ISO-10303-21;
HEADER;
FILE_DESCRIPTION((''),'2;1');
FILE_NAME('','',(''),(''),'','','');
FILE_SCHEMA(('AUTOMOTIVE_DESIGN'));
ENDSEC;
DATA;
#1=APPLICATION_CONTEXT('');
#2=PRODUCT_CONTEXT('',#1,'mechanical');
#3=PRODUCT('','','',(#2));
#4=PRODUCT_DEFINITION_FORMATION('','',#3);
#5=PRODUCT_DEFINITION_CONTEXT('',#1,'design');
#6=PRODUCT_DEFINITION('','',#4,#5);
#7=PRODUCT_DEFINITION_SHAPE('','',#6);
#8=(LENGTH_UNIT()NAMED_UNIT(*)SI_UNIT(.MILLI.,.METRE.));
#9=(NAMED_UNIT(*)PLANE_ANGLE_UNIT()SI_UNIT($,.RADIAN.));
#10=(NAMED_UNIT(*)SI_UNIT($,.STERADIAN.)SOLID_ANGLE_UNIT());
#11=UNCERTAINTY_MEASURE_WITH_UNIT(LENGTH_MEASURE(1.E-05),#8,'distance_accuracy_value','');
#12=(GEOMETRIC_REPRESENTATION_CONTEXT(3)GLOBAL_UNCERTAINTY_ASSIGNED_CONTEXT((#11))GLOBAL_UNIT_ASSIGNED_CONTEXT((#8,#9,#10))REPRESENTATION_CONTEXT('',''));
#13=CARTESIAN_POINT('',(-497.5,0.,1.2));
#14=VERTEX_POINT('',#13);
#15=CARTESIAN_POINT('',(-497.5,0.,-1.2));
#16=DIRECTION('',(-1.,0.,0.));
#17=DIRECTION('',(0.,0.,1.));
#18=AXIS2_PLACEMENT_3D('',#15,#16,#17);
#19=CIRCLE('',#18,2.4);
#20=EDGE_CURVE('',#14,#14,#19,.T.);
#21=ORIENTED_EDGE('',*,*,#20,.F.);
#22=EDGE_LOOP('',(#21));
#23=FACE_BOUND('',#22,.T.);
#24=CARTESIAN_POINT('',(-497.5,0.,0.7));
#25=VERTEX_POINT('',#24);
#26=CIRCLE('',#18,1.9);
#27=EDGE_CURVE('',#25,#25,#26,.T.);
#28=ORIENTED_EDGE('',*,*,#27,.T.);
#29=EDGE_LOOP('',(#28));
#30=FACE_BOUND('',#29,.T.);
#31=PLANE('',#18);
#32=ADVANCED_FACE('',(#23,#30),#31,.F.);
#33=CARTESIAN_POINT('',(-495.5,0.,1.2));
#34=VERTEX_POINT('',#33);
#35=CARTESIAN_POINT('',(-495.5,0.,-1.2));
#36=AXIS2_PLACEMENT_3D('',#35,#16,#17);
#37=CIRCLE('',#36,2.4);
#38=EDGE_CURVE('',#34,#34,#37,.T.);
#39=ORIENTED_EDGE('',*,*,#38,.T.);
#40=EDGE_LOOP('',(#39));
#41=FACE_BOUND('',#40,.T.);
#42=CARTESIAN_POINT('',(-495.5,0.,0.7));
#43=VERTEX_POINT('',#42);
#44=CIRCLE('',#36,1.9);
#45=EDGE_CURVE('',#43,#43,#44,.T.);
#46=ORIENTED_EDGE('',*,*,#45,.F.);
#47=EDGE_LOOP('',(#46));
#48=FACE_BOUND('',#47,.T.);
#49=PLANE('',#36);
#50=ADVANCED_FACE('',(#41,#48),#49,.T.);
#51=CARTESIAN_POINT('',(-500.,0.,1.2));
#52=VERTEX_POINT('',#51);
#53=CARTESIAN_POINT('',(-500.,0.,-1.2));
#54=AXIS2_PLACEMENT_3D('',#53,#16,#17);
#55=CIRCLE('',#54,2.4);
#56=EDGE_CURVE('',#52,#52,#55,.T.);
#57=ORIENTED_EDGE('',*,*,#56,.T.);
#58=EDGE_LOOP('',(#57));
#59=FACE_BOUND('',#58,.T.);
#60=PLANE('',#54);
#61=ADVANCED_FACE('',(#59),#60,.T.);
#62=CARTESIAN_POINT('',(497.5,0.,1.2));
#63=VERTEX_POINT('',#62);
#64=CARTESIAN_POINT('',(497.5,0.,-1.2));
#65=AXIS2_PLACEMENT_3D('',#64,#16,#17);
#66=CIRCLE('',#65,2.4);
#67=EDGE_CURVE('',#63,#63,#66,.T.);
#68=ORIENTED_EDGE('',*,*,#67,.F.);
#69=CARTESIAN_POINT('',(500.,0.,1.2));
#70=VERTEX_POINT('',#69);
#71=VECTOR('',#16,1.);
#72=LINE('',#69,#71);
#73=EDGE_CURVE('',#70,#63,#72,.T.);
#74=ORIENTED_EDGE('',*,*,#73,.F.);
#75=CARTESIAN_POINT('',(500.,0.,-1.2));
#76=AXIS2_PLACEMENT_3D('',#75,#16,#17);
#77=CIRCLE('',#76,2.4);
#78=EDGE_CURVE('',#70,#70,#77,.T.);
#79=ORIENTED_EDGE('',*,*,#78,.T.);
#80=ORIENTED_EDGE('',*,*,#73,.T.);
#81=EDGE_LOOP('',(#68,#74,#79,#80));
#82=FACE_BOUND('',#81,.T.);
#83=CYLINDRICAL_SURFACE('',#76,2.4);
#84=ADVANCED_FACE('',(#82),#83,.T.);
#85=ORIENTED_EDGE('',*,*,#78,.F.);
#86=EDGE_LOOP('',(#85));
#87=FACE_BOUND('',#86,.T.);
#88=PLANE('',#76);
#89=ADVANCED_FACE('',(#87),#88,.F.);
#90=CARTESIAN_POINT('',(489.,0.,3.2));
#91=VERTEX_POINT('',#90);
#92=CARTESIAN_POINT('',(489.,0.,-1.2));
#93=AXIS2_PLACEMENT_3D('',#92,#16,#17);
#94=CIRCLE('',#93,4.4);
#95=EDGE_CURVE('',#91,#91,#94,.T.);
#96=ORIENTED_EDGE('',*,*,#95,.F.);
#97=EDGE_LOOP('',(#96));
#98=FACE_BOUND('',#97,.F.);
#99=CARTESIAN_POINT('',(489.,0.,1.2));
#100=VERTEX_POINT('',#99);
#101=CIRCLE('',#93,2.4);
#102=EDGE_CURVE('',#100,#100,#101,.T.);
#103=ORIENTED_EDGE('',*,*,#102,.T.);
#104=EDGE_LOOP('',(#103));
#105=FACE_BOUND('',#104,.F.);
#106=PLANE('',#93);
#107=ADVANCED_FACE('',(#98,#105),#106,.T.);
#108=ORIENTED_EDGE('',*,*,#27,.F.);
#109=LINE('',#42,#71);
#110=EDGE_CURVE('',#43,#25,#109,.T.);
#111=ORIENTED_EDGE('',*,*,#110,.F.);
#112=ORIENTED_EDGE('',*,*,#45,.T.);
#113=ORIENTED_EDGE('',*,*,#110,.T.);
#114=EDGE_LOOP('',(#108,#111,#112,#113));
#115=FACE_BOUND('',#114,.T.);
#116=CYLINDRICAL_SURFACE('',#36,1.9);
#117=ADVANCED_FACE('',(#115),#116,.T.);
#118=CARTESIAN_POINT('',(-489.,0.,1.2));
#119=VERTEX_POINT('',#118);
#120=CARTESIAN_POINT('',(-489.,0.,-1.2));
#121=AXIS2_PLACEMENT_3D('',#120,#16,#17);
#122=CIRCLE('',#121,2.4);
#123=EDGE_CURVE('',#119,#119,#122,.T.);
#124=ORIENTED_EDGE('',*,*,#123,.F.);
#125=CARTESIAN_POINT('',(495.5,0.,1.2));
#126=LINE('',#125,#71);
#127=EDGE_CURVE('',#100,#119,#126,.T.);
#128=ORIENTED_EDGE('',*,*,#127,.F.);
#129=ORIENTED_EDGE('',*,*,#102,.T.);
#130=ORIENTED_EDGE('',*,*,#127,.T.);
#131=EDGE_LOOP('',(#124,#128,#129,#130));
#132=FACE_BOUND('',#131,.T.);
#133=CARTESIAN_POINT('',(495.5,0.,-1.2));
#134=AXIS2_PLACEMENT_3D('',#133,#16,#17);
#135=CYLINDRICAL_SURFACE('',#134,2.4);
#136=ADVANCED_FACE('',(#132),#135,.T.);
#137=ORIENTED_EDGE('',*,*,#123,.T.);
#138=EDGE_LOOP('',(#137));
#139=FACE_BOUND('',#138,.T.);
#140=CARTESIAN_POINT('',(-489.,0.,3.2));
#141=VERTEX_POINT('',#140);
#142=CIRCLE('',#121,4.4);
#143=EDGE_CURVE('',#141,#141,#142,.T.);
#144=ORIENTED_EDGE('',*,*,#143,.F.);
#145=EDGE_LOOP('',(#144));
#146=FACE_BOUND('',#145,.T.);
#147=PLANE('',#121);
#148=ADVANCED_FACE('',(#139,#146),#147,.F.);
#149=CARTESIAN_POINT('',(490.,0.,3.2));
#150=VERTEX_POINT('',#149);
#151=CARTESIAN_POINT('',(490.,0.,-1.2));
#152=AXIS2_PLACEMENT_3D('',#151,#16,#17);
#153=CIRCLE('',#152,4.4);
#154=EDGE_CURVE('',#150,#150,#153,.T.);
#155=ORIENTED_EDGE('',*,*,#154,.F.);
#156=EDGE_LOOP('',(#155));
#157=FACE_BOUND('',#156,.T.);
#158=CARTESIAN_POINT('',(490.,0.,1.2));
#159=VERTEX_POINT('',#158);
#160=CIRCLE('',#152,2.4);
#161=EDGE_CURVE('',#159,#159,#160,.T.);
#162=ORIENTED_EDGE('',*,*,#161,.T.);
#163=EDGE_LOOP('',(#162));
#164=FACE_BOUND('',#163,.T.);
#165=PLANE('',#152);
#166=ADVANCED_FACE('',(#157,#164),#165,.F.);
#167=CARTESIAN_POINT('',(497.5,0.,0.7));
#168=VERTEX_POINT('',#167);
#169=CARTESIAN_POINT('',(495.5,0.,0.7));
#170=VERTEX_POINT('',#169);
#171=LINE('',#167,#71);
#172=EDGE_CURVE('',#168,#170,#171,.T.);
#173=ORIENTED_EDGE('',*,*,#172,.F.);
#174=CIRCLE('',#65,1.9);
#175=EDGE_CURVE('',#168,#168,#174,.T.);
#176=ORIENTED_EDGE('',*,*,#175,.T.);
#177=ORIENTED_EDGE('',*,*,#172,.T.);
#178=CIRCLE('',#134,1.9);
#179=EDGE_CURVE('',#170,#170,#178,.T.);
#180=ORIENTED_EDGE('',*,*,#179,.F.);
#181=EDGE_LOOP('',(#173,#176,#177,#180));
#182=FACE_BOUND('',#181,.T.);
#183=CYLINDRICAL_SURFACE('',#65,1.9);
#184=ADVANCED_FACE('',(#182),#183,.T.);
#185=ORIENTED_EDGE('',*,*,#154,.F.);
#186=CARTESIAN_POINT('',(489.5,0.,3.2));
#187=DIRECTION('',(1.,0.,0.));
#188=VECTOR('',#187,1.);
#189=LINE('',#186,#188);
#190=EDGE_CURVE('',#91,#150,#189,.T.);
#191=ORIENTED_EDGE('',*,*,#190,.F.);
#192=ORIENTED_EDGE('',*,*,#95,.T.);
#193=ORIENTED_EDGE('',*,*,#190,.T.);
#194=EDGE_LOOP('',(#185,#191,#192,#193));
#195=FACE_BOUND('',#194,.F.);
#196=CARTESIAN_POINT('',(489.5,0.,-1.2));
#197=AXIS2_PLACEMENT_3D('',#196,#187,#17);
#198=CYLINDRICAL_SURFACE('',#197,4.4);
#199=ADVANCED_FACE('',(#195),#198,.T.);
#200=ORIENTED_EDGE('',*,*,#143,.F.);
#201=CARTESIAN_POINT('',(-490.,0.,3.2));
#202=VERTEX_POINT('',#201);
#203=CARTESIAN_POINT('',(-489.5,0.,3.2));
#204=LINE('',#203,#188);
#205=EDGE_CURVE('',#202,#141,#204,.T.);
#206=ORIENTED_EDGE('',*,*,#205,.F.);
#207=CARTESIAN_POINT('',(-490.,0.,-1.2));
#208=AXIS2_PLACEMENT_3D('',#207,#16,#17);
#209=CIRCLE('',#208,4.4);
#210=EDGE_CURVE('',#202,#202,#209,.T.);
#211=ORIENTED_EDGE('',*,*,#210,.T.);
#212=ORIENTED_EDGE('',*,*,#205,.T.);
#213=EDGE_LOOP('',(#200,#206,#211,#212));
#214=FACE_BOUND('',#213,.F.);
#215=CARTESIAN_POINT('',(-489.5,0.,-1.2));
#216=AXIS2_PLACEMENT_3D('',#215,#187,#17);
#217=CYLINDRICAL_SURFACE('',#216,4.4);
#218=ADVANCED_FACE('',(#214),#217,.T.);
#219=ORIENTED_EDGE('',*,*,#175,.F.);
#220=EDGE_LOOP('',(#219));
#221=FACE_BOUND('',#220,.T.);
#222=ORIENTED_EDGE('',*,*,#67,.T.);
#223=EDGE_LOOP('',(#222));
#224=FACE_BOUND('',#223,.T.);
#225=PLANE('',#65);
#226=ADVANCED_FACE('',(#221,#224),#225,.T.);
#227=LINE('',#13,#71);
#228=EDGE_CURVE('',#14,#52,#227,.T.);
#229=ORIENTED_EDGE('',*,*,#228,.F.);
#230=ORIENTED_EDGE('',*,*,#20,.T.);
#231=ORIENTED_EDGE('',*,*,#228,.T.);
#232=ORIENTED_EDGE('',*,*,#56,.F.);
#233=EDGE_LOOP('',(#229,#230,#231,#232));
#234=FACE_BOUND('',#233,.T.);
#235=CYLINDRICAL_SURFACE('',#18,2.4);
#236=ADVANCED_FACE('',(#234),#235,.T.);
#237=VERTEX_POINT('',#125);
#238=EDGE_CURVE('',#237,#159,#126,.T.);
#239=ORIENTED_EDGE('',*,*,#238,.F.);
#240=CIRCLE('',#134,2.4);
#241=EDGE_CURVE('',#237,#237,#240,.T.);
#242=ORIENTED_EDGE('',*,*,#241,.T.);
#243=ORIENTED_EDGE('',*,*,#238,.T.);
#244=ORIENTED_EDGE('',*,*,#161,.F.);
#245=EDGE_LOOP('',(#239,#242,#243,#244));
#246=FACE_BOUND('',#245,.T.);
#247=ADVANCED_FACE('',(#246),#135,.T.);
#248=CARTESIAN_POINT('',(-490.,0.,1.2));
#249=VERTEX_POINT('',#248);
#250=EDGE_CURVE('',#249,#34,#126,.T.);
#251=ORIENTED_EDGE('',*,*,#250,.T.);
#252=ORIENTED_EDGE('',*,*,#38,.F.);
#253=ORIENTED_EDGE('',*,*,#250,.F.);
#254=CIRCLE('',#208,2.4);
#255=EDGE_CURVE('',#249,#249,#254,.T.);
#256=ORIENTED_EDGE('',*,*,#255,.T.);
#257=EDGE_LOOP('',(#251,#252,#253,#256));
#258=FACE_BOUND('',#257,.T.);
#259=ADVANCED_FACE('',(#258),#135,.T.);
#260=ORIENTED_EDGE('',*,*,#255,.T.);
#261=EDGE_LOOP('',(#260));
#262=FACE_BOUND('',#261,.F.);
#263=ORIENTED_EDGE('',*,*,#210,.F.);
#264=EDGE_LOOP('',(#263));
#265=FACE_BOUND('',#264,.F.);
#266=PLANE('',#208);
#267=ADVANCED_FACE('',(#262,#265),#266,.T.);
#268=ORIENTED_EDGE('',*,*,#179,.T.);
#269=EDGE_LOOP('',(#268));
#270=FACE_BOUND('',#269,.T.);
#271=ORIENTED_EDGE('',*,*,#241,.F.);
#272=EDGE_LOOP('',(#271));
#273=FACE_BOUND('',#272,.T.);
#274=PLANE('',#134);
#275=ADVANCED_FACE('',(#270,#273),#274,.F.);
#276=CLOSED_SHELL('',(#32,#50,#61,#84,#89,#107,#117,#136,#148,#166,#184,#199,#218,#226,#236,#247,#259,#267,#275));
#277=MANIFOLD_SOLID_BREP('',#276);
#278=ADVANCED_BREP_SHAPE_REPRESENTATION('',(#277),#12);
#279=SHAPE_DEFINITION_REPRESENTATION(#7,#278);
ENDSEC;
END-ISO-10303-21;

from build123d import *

# Parameters (mm, degrees)
F0_W = 1
F0_H = 2


with BuildPart() as f1:
    # F0 (on Front) → F1 (revolve)
    with BuildSketch(Plane.XZ):
        Polygon((500, -1.2), (500, 1.2), (497.5, 1.2), (497.5, 0.7), (495.5, 0.7), (495.5, 1.2), (490, 1.2), (489, 1.2), (-489, 1.2), (-490, 1.2), (-495.5, 1.2), (-495.5, 0.7), (-497.5, 0.7), (-497.5, 1.2), (-500, 1.2), (-500, -1.2), align=None)
        with Locations((489.5, 2.2)):
            Rectangle(F0_W, F0_H)
        with Locations((-489.5, 2.2)):
            Rectangle(F0_W, F0_H)
    revolve(axis=Axis((0, 0, -1.2), (-1, 0, 0)))


solid = f1.part
